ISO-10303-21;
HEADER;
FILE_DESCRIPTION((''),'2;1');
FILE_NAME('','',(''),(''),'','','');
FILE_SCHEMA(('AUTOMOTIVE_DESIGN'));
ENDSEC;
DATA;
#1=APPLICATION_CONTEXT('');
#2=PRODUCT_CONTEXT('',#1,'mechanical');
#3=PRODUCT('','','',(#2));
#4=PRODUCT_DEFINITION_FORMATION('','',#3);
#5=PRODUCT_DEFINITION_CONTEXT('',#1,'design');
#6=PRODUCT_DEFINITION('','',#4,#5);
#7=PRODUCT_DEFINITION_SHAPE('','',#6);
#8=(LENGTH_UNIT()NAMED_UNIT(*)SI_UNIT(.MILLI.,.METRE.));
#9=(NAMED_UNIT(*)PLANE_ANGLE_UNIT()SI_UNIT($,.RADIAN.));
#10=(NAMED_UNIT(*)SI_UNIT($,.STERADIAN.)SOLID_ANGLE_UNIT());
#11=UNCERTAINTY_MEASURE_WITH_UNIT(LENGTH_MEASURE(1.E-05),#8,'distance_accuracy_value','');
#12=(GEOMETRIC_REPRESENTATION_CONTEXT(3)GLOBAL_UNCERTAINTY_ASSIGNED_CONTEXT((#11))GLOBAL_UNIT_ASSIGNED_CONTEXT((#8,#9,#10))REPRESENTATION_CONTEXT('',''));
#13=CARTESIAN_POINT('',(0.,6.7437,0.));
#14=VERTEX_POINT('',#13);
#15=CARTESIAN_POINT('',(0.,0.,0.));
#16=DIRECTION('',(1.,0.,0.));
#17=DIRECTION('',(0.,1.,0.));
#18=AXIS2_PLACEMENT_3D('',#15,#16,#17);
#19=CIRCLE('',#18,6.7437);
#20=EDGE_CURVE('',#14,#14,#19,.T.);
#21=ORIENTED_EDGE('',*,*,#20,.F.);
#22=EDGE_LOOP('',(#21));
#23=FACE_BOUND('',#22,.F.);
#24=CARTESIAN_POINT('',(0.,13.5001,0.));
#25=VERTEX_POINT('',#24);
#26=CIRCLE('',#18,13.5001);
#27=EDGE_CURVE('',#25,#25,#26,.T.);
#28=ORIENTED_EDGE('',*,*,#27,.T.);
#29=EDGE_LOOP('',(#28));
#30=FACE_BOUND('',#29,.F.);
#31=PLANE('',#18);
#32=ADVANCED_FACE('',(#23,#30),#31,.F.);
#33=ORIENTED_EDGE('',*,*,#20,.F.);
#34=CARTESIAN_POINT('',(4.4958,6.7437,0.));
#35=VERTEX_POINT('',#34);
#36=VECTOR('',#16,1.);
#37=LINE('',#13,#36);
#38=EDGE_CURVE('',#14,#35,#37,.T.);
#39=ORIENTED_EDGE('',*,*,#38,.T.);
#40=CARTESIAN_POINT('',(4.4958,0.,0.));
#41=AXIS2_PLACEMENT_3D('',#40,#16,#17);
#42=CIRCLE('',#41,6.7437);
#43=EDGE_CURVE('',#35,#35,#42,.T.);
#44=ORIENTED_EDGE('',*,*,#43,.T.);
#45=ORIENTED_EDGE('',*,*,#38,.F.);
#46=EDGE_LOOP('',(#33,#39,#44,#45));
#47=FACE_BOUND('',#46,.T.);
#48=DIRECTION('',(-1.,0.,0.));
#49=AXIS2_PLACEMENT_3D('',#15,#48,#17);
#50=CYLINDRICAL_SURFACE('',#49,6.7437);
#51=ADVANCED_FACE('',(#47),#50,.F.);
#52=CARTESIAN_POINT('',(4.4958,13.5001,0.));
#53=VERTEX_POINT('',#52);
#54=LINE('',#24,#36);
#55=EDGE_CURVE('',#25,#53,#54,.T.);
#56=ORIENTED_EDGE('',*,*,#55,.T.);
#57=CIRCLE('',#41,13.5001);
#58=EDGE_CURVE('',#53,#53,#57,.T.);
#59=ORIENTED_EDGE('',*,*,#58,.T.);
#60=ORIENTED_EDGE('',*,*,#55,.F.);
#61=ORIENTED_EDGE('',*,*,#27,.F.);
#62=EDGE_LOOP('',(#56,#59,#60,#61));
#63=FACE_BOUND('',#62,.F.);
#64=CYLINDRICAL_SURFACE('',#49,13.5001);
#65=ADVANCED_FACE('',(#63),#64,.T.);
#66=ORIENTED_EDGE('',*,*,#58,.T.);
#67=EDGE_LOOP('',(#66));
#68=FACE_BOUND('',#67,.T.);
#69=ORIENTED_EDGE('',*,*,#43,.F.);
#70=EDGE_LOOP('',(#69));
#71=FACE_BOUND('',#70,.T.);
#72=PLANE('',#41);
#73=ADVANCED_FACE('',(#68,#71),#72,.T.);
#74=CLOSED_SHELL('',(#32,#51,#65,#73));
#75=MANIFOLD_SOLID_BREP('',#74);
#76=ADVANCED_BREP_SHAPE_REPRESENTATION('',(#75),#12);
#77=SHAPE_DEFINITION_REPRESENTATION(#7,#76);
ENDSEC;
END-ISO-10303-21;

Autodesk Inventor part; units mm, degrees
ref_plane "YZ Plane" through (0, 0, 0) normal (1, 0, 0) x (0, 1, 0)
ref_plane "XZ Plane" through (0, 0, 0) normal (0, 1, 0) x (-1, 0, 0)
sketch "Sketch" plane through (0, 0, 0) normal (1, 0, 0) x (0, 1, 0)
  circle A0 centre (0, 0) radius 13.5001
  circle A1 centre (0, 0) radius 6.7437
  dimension "d0" = 13.4874
  dimension "d1" = 27.0002
extrude "Body" add sketch "Sketch" along normal blind 4.4958
ref_plane "Work Plane1" through (0, 0, 0) normal (0, 0, 1) x (1, 0, 0)
equation "\"d0\" = SD1"
equation "\"d1\" = SD2"
equation "\"d2\" = SD"
equation "\"SD1\" = 13.4874"
equation "\"SD2\" = 27.0002"
equation "\"SD\" = 4.4958"
equation "\"NND\" = 12.7"
properties part number "ASTM F436 - 1/2, CW" material "Steel, Mild"
